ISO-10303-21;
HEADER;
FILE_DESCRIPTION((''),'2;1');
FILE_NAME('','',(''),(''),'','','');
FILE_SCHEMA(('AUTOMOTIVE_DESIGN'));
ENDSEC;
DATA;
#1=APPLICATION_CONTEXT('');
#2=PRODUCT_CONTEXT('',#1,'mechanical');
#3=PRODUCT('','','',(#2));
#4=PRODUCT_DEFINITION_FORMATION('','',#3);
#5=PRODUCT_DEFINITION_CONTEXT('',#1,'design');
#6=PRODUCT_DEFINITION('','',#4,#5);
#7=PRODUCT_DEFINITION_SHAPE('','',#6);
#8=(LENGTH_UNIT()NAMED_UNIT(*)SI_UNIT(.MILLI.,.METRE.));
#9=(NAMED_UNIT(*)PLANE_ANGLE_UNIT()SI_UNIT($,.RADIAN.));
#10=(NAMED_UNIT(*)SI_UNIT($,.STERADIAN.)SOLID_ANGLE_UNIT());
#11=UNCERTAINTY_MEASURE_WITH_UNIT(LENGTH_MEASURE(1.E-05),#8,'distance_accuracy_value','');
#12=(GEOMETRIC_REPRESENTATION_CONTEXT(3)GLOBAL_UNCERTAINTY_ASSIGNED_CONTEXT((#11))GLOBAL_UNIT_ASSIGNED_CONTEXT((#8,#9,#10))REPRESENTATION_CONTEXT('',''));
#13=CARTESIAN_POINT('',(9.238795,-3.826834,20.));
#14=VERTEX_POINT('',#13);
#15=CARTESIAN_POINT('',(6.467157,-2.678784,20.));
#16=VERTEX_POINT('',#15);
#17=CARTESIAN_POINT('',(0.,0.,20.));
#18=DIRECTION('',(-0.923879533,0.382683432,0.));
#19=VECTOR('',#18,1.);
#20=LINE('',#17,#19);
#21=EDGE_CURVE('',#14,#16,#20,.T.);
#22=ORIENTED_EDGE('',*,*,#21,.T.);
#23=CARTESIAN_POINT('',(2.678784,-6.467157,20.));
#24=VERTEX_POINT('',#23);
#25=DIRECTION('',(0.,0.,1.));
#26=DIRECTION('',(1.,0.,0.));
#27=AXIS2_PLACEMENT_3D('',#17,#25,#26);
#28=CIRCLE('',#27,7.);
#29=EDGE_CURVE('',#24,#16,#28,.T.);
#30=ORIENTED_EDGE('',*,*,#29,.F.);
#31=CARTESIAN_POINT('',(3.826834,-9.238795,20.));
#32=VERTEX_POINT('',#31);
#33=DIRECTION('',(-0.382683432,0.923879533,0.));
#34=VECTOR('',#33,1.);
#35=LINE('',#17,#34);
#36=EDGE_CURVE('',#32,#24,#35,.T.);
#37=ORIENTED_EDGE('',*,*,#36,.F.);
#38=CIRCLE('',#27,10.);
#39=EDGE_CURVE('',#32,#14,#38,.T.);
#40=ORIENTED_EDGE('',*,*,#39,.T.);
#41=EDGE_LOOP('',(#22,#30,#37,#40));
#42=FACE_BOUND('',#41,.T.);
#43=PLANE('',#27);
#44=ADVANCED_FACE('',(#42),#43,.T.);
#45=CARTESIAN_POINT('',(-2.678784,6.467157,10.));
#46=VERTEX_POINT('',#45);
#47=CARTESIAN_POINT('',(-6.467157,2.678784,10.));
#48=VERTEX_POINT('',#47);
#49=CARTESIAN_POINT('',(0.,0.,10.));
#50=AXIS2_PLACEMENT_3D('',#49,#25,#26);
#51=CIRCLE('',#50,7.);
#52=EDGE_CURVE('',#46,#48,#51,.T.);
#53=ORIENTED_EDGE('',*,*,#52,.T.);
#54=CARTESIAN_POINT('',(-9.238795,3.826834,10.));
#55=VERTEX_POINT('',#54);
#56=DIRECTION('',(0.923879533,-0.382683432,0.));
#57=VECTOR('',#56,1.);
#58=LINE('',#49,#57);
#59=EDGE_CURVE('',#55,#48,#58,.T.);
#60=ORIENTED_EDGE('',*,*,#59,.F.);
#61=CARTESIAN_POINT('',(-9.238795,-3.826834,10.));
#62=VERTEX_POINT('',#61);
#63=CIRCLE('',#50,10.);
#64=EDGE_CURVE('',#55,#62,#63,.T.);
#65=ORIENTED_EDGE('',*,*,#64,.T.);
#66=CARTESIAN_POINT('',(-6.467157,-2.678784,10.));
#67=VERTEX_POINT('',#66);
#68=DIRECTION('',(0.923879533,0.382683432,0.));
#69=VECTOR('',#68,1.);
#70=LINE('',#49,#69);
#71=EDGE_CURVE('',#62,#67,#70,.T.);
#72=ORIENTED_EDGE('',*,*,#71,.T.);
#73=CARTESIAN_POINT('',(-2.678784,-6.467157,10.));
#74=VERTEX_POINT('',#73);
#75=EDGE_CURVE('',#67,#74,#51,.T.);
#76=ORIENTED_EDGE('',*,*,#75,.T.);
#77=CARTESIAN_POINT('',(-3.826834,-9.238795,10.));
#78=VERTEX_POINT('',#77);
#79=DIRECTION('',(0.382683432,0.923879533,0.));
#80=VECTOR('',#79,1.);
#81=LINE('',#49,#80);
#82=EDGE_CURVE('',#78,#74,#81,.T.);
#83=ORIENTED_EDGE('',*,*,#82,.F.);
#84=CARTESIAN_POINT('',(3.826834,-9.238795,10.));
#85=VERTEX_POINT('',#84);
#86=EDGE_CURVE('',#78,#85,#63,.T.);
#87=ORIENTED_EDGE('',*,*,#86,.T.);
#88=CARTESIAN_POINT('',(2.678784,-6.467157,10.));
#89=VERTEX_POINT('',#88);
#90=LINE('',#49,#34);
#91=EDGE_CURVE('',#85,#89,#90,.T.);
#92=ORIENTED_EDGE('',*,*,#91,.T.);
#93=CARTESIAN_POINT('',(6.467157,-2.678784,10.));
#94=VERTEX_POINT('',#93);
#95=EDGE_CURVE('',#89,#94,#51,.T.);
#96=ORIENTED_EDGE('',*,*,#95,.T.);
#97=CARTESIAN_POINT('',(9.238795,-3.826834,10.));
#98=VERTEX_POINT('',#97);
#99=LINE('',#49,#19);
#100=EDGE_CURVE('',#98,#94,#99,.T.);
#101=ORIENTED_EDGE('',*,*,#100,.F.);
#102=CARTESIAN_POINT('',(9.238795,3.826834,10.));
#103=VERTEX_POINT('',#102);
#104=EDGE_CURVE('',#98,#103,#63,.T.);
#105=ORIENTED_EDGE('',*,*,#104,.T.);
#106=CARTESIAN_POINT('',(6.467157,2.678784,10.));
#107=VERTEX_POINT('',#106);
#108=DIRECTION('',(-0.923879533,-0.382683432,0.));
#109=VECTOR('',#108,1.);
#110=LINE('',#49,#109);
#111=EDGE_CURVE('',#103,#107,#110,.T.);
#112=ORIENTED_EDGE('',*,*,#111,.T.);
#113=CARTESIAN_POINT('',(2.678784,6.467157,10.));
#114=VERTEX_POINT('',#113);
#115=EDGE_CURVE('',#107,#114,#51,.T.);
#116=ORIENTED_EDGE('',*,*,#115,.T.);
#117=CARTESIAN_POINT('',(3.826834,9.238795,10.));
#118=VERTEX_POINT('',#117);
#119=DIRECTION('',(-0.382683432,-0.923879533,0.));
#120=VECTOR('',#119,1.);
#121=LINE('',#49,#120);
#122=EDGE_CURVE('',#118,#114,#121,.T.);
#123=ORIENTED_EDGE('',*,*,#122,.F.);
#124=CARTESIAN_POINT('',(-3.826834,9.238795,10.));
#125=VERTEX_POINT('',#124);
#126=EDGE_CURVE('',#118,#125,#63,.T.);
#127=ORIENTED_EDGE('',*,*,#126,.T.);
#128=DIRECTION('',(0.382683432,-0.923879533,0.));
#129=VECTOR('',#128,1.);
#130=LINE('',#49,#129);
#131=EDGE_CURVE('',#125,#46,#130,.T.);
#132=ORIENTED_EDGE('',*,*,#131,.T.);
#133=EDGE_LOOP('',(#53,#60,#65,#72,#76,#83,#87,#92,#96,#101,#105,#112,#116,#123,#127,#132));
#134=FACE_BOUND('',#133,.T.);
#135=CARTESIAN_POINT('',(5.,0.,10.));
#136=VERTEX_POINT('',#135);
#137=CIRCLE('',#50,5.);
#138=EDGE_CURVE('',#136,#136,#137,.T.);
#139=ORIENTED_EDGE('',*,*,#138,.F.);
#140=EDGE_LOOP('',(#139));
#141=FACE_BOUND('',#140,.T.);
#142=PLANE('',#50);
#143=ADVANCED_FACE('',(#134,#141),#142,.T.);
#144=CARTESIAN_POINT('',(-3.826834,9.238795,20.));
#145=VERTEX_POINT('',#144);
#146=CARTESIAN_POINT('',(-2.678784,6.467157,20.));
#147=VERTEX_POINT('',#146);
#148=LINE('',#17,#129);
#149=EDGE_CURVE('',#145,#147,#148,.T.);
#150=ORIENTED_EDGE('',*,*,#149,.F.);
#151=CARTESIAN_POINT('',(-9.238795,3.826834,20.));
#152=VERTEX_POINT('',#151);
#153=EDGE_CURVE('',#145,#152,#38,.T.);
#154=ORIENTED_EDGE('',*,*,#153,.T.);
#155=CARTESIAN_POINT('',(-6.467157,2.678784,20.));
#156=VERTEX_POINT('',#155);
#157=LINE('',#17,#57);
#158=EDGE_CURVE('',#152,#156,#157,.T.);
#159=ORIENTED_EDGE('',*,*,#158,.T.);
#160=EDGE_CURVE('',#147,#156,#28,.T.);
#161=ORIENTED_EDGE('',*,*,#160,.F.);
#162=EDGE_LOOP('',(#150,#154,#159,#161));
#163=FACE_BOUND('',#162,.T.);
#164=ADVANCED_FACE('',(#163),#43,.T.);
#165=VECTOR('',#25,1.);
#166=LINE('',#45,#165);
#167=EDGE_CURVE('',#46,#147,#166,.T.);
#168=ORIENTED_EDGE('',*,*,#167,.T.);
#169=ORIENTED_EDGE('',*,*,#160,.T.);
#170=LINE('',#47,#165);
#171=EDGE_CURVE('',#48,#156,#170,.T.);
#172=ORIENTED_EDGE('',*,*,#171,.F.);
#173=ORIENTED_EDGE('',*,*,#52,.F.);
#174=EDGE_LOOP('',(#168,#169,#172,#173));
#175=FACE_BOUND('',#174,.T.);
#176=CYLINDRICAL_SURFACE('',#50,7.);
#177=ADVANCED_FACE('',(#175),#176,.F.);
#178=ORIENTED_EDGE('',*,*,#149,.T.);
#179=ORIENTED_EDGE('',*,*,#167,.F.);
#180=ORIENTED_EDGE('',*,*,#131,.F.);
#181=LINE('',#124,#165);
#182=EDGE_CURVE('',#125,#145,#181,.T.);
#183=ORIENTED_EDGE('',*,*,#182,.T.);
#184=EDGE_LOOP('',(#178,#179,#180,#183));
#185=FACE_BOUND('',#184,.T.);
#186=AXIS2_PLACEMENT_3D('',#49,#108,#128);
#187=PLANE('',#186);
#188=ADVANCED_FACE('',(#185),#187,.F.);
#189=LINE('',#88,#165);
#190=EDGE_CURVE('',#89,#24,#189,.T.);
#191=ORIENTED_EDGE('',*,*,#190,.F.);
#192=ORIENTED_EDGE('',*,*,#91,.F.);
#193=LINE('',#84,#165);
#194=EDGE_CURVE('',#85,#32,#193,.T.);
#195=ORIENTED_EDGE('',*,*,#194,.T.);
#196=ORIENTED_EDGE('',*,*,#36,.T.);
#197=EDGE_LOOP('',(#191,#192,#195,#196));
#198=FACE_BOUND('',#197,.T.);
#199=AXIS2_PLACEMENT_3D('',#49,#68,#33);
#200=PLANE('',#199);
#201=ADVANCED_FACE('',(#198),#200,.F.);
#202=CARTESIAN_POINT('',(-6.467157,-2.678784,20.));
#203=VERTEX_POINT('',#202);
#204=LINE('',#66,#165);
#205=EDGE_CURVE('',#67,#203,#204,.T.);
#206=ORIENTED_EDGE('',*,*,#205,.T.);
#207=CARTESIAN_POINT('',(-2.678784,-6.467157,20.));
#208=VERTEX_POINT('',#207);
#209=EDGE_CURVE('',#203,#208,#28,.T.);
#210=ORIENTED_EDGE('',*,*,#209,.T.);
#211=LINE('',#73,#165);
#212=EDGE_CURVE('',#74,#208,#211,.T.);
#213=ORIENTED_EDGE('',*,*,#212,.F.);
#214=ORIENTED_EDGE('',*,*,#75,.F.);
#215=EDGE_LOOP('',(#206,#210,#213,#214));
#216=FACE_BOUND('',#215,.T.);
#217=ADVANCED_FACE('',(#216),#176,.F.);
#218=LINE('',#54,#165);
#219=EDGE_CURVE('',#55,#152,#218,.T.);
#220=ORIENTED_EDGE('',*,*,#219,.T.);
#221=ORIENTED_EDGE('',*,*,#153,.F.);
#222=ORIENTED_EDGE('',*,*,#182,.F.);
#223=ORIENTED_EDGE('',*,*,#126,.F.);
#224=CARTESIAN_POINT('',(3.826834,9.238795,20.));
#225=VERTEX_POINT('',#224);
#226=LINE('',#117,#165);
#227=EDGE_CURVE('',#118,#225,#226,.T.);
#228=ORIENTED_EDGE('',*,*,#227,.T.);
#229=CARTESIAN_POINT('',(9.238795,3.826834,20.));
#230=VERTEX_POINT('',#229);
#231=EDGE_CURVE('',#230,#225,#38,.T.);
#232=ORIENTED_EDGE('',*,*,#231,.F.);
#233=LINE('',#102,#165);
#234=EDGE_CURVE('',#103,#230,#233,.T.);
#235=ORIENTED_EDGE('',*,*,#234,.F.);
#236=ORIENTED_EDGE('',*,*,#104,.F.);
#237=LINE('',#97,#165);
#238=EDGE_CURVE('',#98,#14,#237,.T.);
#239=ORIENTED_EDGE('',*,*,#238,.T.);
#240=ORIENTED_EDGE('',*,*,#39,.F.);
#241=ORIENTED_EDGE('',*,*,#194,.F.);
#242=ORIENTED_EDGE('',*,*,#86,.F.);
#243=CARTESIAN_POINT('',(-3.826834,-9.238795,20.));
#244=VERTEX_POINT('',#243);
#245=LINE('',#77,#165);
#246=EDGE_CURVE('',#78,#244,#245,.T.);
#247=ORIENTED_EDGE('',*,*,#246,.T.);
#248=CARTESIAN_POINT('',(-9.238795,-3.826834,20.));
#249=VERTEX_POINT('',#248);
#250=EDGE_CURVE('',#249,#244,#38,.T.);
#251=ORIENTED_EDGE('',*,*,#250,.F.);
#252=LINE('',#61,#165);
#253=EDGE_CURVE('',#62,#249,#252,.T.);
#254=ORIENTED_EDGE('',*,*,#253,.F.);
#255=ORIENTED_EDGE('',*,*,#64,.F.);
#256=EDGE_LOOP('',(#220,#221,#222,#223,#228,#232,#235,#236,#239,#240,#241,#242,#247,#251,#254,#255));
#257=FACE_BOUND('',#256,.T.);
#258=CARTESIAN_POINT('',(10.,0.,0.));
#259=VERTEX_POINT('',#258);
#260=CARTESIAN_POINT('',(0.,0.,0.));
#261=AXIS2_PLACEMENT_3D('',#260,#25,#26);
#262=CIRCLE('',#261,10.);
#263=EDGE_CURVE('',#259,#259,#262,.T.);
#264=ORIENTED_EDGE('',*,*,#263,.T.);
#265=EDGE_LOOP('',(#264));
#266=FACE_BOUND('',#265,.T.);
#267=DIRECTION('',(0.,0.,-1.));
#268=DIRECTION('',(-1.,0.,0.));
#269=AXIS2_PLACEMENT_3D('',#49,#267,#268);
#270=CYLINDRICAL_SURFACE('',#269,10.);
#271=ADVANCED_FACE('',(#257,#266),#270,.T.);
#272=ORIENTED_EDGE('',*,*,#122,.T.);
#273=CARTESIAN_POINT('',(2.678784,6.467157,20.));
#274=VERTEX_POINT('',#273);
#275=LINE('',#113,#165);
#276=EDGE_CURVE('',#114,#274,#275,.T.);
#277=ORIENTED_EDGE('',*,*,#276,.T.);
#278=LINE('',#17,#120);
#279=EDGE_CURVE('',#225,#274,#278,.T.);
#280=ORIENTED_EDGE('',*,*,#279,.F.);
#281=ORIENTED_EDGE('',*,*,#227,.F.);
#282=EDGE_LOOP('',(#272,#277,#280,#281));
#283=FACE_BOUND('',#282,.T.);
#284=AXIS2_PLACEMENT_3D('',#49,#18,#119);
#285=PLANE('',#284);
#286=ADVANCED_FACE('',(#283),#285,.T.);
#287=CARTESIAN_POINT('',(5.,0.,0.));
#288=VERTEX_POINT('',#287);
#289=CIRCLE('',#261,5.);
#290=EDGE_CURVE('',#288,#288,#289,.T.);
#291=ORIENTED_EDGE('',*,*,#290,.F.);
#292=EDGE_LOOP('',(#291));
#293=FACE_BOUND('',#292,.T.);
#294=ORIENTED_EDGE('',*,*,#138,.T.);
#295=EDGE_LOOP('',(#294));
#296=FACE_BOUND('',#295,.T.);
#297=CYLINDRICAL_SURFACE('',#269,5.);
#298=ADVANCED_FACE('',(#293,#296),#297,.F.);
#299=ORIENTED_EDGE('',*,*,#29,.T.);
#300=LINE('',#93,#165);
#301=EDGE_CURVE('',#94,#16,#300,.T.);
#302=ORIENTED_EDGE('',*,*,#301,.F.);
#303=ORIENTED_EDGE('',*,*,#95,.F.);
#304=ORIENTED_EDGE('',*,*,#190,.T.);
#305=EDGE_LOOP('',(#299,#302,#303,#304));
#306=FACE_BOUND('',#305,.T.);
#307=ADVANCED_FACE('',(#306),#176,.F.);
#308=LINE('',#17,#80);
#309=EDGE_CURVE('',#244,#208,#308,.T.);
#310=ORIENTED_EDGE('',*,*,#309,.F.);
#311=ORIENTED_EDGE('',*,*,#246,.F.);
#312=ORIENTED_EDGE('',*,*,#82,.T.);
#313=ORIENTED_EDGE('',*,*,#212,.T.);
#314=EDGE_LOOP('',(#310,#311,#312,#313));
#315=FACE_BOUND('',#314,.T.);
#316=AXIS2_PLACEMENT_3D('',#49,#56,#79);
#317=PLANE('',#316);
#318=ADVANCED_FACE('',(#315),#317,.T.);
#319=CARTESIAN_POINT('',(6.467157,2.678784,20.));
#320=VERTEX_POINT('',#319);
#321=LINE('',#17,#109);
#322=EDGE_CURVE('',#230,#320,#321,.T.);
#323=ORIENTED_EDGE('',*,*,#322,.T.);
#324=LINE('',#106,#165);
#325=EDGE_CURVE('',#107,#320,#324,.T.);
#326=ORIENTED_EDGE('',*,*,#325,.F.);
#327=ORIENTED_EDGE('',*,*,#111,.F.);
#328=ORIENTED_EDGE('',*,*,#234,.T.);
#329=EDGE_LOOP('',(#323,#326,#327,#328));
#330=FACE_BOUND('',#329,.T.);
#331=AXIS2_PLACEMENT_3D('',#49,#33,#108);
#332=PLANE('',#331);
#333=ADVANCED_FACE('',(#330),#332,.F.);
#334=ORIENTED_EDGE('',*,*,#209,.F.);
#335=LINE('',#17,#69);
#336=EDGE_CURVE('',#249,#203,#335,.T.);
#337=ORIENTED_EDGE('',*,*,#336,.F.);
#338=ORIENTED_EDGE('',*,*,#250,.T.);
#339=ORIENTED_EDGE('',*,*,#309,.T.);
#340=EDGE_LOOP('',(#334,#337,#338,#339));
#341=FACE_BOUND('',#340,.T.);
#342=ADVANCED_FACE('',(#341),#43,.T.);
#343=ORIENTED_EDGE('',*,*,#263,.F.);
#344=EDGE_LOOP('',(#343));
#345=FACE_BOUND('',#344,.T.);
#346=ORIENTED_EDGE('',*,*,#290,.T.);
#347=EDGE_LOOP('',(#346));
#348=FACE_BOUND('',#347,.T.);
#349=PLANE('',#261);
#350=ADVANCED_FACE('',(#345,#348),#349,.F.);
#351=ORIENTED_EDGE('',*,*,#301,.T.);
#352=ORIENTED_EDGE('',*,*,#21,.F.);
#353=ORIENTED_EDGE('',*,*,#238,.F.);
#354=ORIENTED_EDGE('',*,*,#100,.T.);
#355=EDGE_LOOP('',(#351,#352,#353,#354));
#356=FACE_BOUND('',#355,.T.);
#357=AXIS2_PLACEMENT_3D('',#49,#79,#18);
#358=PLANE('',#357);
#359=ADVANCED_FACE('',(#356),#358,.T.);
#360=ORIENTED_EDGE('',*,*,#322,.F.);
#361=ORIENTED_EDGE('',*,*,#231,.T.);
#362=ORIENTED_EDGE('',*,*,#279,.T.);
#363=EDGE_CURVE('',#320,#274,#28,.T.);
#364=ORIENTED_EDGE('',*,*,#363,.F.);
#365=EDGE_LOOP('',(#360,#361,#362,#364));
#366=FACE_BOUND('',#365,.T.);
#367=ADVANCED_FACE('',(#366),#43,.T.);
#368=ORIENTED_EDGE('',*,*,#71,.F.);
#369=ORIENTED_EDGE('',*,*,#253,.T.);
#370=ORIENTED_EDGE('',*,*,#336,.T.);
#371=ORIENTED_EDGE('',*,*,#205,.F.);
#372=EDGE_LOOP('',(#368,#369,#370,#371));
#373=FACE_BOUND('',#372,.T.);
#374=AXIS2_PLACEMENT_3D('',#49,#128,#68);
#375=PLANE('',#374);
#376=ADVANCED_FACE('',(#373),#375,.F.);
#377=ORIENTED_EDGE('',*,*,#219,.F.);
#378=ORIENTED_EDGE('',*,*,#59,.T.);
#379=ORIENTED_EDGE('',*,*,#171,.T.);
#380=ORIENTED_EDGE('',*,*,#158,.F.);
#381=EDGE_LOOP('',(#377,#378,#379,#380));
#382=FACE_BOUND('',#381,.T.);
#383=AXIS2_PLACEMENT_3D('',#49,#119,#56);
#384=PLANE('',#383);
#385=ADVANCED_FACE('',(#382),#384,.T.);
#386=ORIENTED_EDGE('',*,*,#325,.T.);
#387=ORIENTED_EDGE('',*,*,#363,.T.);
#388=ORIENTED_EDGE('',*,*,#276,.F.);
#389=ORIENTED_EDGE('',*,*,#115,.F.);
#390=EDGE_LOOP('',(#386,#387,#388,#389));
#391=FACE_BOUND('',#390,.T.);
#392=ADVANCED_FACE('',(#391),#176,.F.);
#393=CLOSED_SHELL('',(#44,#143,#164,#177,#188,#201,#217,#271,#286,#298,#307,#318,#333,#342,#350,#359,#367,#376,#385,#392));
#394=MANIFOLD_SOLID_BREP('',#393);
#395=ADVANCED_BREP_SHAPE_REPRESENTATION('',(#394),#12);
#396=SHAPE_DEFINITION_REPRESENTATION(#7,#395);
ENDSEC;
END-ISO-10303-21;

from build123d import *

# Parameters (mm, degrees)
SKETCH_1_R          = 10
SKETCH_1_R_2        = 5
EXTRUDE_1_DEPTH     = 10
SKETCH_2_R          = 10
SKETCH_2_R_2        = 4
EXTRUDE_2_DEPTH     = 10
CUT_EXTRUDE_START   = -10
CUT_EXTRUDE_1_DEPTH = 10
SKETCH_4_R          = 7
CUT_EXTRUDE_2_DEPTH = 10


with BuildPart() as part:
    # 草图1 → 凸台-拉伸1 (new body)
    with BuildSketch(Plane.XY):
        Circle(SKETCH_1_R)
        Circle(SKETCH_1_R_2, mode=Mode.SUBTRACT)
    extrude(amount=EXTRUDE_1_DEPTH)

    # 草图2 → 凸台-拉伸2 (add)
    with BuildSketch(Plane.XY.offset(10)):
        Circle(SKETCH_2_R)
        Circle(SKETCH_2_R_2, mode=Mode.SUBTRACT)
    extrude(amount=EXTRUDE_2_DEPTH)

    # 草图3 → 切除-拉伸1 (cut)
    with BuildSketch(Plane.XY.offset(20).offset(CUT_EXTRUDE_START)):
        with BuildLine():
            Line((2.678784027, 6.467156728), (3.826834324, 9.238795325))
            ThreePointArc((3.826834324, 9.238795325), (0, 10), (-3.826834324, 9.238795325))
            Line((-3.826834324, 9.238795325), (-2.678784027, 6.467156728))
            ThreePointArc((-2.678784027, 6.467156728), (0, 7), (2.678784027, 6.467156728))
        make_face()
        with BuildLine():
            ThreePointArc((10, 0), (9.807852804, 1.95090322), (9.238795325, 3.826834324))
            Line((9.238795325, 3.826834324), (6.467156728, 2.678784027))
            ThreePointArc((6.467156728, 2.678784027), (7, 0), (6.467156728, -2.678784027))
            Line((6.467156728, -2.678784027), (9.238795325, -3.826834324))
            ThreePointArc((9.238795325, -3.826834324), (9.807852804, -1.95090322), (10, 0))
        make_face()
        with BuildLine():
            Line((-2.678784027, -6.467156728), (-3.826834324, -9.238795325))
            ThreePointArc((-3.826834324, -9.238795325), (0, -10), (3.826834324, -9.238795325))
            Line((3.826834324, -9.238795325), (2.678784027, -6.467156728))
            ThreePointArc((2.678784027, -6.467156728), (0, -7), (-2.678784027, -6.467156728))
        make_face()
        with BuildLine():
            Line((-6.467156728, 2.678784027), (-9.238795325, 3.826834324))
            ThreePointArc((-9.238795325, 3.826834324), (-10, 0), (-9.238795325, -3.826834324))
            Line((-9.238795325, -3.826834324), (-6.467156728, -2.678784027))
            ThreePointArc((-6.467156728, -2.678784027), (-7, 0), (-6.467156728, 2.678784027))
        make_face()
    extrude(amount=CUT_EXTRUDE_1_DEPTH, mode=Mode.SUBTRACT)

    # 草图4 → 切除-拉伸2 (cut)
    with BuildSketch(Plane.XY.offset(20).offset(CUT_EXTRUDE_START)):
        Circle(SKETCH_4_R)
    extrude(amount=CUT_EXTRUDE_2_DEPTH, mode=Mode.SUBTRACT)


solid = part.part
